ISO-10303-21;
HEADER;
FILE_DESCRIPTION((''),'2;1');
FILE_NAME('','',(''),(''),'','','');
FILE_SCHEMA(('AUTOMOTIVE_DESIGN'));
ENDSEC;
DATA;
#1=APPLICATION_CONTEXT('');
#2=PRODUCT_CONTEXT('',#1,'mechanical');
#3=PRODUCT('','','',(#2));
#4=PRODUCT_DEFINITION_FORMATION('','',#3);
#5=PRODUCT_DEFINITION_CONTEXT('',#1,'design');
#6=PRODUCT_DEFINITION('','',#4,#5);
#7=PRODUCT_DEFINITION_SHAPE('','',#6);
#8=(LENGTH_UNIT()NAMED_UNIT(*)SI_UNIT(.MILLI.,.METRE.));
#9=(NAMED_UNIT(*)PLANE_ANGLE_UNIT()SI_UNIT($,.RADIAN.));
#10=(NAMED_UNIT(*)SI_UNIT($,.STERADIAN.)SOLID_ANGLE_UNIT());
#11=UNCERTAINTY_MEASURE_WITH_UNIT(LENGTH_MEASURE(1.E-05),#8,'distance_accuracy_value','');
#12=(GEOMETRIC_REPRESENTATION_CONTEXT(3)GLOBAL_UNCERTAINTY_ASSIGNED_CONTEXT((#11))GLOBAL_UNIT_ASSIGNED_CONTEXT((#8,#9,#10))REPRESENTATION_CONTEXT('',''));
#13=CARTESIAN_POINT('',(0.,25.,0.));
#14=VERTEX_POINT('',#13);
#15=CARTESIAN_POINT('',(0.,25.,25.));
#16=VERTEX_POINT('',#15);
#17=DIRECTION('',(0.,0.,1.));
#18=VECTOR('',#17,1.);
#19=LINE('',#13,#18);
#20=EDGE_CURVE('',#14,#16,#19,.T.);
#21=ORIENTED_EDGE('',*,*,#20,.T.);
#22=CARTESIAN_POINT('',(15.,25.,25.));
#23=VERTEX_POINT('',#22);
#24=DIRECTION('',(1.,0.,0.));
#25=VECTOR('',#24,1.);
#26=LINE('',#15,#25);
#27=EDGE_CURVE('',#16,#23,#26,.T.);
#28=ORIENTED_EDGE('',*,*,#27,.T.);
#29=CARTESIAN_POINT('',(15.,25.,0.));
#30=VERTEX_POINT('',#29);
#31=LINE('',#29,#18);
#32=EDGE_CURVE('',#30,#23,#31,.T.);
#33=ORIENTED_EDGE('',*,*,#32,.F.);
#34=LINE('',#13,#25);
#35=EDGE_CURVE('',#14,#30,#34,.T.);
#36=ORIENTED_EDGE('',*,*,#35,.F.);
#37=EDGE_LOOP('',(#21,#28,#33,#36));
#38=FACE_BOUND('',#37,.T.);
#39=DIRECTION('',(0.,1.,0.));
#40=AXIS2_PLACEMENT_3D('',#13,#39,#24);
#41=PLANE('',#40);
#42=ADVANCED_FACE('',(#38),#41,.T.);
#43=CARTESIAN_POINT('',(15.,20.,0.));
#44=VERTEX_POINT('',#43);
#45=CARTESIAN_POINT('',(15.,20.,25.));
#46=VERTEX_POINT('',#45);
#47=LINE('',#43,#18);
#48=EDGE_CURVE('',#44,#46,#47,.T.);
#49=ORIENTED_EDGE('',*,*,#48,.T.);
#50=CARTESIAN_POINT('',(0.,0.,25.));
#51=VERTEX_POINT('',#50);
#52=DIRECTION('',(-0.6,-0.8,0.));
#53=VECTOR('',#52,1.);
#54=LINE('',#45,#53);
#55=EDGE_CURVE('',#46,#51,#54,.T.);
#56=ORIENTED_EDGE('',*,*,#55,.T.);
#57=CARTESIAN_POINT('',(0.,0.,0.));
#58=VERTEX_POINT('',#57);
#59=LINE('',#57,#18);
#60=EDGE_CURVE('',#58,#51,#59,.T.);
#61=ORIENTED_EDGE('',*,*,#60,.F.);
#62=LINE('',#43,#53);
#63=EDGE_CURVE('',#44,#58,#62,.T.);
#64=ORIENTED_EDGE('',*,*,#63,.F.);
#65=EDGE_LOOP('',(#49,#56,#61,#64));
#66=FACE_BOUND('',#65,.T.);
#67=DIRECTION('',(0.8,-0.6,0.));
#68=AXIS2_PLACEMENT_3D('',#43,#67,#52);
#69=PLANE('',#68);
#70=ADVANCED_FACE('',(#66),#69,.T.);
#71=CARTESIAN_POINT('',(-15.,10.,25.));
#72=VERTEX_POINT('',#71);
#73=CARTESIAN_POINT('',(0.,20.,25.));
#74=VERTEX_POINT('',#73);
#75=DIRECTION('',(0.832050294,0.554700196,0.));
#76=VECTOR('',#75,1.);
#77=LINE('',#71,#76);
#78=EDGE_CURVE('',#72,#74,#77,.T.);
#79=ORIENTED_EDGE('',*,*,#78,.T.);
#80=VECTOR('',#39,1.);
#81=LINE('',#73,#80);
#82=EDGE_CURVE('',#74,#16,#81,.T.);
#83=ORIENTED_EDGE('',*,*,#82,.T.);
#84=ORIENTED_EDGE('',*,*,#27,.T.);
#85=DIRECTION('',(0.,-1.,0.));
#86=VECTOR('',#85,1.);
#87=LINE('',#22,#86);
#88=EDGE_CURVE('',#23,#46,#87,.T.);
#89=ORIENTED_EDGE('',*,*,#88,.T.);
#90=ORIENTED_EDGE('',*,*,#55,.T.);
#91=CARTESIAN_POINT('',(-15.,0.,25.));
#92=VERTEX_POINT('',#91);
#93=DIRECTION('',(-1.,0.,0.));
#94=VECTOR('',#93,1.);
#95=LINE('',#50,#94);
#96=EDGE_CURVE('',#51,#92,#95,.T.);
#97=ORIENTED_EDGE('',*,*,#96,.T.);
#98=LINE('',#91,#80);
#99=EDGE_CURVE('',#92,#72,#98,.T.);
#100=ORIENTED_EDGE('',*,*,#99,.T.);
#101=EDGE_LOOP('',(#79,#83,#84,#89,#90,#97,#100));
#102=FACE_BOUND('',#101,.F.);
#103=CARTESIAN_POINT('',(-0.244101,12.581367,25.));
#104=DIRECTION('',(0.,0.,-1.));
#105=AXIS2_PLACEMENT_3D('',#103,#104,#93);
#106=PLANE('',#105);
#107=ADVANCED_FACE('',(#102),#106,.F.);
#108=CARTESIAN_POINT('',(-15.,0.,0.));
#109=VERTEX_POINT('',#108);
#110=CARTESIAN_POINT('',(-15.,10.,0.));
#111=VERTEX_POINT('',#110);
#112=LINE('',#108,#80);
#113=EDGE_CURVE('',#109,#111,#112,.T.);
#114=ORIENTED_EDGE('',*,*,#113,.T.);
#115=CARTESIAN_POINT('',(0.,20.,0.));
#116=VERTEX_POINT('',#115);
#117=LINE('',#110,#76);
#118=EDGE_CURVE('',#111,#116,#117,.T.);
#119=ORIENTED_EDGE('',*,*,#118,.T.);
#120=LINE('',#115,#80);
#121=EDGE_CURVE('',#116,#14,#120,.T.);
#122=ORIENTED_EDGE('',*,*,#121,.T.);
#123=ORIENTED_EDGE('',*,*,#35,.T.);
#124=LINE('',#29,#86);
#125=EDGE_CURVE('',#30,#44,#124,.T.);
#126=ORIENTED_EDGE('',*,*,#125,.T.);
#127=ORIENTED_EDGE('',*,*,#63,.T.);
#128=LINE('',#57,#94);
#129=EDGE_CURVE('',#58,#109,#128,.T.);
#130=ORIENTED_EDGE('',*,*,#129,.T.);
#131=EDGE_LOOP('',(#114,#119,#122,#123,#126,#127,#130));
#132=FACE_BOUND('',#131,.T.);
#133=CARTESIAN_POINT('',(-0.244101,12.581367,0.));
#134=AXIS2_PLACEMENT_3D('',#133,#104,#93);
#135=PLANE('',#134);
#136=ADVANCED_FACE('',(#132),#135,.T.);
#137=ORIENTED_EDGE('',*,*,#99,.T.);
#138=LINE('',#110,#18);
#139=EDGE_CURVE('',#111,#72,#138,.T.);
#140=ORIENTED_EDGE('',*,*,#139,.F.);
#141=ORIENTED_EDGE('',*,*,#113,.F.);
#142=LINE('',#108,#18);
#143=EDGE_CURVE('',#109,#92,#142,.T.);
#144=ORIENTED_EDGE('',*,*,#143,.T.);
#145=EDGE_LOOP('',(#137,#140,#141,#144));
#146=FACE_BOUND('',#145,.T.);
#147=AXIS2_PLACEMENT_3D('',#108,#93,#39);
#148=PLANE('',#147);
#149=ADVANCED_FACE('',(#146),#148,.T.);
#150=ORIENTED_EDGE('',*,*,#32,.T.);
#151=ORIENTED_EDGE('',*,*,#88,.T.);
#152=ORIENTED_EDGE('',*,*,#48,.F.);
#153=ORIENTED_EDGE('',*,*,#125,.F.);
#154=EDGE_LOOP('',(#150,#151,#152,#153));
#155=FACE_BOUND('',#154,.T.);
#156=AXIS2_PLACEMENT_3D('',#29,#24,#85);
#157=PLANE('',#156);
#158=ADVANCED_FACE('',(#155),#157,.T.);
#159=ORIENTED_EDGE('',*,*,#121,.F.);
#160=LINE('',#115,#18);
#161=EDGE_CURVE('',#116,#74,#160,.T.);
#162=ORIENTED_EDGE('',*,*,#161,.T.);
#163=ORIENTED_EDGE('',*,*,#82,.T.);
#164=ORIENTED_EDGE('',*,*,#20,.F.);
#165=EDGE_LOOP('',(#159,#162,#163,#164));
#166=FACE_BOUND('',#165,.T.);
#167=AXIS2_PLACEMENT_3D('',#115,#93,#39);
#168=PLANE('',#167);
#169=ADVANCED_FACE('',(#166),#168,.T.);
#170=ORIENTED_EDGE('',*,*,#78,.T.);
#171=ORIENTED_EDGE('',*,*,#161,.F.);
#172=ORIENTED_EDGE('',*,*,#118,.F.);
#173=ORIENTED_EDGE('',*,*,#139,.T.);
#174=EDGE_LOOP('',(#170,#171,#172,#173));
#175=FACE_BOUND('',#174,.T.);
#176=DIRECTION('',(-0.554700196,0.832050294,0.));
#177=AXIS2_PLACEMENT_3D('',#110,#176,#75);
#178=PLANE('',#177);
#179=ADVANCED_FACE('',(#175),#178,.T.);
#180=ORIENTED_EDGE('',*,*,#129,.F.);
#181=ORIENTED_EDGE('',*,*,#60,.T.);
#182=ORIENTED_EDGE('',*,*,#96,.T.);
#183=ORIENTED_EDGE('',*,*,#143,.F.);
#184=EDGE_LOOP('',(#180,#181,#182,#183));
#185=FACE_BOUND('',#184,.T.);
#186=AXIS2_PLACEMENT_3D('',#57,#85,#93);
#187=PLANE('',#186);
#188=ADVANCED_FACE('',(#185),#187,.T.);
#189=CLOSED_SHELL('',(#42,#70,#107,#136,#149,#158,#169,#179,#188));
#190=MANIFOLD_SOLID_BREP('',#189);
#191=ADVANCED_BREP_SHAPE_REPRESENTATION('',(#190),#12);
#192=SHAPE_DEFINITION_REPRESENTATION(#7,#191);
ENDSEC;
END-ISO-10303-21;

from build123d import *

# Parameters (mm, degrees)
BOSS_EXTRUDE1_DEPTH = 25


with BuildPart() as part:
    # Sketch1 → Boss-Extrude1 (new body)
    with BuildSketch(Plane.XY):
        Polygon((0, 25), (15, 25), (15, 20), (0, 0), (-15, 0), (-15, 10), (0, 20), align=None)
    extrude(amount=BOSS_EXTRUDE1_DEPTH)


solid = part.part
